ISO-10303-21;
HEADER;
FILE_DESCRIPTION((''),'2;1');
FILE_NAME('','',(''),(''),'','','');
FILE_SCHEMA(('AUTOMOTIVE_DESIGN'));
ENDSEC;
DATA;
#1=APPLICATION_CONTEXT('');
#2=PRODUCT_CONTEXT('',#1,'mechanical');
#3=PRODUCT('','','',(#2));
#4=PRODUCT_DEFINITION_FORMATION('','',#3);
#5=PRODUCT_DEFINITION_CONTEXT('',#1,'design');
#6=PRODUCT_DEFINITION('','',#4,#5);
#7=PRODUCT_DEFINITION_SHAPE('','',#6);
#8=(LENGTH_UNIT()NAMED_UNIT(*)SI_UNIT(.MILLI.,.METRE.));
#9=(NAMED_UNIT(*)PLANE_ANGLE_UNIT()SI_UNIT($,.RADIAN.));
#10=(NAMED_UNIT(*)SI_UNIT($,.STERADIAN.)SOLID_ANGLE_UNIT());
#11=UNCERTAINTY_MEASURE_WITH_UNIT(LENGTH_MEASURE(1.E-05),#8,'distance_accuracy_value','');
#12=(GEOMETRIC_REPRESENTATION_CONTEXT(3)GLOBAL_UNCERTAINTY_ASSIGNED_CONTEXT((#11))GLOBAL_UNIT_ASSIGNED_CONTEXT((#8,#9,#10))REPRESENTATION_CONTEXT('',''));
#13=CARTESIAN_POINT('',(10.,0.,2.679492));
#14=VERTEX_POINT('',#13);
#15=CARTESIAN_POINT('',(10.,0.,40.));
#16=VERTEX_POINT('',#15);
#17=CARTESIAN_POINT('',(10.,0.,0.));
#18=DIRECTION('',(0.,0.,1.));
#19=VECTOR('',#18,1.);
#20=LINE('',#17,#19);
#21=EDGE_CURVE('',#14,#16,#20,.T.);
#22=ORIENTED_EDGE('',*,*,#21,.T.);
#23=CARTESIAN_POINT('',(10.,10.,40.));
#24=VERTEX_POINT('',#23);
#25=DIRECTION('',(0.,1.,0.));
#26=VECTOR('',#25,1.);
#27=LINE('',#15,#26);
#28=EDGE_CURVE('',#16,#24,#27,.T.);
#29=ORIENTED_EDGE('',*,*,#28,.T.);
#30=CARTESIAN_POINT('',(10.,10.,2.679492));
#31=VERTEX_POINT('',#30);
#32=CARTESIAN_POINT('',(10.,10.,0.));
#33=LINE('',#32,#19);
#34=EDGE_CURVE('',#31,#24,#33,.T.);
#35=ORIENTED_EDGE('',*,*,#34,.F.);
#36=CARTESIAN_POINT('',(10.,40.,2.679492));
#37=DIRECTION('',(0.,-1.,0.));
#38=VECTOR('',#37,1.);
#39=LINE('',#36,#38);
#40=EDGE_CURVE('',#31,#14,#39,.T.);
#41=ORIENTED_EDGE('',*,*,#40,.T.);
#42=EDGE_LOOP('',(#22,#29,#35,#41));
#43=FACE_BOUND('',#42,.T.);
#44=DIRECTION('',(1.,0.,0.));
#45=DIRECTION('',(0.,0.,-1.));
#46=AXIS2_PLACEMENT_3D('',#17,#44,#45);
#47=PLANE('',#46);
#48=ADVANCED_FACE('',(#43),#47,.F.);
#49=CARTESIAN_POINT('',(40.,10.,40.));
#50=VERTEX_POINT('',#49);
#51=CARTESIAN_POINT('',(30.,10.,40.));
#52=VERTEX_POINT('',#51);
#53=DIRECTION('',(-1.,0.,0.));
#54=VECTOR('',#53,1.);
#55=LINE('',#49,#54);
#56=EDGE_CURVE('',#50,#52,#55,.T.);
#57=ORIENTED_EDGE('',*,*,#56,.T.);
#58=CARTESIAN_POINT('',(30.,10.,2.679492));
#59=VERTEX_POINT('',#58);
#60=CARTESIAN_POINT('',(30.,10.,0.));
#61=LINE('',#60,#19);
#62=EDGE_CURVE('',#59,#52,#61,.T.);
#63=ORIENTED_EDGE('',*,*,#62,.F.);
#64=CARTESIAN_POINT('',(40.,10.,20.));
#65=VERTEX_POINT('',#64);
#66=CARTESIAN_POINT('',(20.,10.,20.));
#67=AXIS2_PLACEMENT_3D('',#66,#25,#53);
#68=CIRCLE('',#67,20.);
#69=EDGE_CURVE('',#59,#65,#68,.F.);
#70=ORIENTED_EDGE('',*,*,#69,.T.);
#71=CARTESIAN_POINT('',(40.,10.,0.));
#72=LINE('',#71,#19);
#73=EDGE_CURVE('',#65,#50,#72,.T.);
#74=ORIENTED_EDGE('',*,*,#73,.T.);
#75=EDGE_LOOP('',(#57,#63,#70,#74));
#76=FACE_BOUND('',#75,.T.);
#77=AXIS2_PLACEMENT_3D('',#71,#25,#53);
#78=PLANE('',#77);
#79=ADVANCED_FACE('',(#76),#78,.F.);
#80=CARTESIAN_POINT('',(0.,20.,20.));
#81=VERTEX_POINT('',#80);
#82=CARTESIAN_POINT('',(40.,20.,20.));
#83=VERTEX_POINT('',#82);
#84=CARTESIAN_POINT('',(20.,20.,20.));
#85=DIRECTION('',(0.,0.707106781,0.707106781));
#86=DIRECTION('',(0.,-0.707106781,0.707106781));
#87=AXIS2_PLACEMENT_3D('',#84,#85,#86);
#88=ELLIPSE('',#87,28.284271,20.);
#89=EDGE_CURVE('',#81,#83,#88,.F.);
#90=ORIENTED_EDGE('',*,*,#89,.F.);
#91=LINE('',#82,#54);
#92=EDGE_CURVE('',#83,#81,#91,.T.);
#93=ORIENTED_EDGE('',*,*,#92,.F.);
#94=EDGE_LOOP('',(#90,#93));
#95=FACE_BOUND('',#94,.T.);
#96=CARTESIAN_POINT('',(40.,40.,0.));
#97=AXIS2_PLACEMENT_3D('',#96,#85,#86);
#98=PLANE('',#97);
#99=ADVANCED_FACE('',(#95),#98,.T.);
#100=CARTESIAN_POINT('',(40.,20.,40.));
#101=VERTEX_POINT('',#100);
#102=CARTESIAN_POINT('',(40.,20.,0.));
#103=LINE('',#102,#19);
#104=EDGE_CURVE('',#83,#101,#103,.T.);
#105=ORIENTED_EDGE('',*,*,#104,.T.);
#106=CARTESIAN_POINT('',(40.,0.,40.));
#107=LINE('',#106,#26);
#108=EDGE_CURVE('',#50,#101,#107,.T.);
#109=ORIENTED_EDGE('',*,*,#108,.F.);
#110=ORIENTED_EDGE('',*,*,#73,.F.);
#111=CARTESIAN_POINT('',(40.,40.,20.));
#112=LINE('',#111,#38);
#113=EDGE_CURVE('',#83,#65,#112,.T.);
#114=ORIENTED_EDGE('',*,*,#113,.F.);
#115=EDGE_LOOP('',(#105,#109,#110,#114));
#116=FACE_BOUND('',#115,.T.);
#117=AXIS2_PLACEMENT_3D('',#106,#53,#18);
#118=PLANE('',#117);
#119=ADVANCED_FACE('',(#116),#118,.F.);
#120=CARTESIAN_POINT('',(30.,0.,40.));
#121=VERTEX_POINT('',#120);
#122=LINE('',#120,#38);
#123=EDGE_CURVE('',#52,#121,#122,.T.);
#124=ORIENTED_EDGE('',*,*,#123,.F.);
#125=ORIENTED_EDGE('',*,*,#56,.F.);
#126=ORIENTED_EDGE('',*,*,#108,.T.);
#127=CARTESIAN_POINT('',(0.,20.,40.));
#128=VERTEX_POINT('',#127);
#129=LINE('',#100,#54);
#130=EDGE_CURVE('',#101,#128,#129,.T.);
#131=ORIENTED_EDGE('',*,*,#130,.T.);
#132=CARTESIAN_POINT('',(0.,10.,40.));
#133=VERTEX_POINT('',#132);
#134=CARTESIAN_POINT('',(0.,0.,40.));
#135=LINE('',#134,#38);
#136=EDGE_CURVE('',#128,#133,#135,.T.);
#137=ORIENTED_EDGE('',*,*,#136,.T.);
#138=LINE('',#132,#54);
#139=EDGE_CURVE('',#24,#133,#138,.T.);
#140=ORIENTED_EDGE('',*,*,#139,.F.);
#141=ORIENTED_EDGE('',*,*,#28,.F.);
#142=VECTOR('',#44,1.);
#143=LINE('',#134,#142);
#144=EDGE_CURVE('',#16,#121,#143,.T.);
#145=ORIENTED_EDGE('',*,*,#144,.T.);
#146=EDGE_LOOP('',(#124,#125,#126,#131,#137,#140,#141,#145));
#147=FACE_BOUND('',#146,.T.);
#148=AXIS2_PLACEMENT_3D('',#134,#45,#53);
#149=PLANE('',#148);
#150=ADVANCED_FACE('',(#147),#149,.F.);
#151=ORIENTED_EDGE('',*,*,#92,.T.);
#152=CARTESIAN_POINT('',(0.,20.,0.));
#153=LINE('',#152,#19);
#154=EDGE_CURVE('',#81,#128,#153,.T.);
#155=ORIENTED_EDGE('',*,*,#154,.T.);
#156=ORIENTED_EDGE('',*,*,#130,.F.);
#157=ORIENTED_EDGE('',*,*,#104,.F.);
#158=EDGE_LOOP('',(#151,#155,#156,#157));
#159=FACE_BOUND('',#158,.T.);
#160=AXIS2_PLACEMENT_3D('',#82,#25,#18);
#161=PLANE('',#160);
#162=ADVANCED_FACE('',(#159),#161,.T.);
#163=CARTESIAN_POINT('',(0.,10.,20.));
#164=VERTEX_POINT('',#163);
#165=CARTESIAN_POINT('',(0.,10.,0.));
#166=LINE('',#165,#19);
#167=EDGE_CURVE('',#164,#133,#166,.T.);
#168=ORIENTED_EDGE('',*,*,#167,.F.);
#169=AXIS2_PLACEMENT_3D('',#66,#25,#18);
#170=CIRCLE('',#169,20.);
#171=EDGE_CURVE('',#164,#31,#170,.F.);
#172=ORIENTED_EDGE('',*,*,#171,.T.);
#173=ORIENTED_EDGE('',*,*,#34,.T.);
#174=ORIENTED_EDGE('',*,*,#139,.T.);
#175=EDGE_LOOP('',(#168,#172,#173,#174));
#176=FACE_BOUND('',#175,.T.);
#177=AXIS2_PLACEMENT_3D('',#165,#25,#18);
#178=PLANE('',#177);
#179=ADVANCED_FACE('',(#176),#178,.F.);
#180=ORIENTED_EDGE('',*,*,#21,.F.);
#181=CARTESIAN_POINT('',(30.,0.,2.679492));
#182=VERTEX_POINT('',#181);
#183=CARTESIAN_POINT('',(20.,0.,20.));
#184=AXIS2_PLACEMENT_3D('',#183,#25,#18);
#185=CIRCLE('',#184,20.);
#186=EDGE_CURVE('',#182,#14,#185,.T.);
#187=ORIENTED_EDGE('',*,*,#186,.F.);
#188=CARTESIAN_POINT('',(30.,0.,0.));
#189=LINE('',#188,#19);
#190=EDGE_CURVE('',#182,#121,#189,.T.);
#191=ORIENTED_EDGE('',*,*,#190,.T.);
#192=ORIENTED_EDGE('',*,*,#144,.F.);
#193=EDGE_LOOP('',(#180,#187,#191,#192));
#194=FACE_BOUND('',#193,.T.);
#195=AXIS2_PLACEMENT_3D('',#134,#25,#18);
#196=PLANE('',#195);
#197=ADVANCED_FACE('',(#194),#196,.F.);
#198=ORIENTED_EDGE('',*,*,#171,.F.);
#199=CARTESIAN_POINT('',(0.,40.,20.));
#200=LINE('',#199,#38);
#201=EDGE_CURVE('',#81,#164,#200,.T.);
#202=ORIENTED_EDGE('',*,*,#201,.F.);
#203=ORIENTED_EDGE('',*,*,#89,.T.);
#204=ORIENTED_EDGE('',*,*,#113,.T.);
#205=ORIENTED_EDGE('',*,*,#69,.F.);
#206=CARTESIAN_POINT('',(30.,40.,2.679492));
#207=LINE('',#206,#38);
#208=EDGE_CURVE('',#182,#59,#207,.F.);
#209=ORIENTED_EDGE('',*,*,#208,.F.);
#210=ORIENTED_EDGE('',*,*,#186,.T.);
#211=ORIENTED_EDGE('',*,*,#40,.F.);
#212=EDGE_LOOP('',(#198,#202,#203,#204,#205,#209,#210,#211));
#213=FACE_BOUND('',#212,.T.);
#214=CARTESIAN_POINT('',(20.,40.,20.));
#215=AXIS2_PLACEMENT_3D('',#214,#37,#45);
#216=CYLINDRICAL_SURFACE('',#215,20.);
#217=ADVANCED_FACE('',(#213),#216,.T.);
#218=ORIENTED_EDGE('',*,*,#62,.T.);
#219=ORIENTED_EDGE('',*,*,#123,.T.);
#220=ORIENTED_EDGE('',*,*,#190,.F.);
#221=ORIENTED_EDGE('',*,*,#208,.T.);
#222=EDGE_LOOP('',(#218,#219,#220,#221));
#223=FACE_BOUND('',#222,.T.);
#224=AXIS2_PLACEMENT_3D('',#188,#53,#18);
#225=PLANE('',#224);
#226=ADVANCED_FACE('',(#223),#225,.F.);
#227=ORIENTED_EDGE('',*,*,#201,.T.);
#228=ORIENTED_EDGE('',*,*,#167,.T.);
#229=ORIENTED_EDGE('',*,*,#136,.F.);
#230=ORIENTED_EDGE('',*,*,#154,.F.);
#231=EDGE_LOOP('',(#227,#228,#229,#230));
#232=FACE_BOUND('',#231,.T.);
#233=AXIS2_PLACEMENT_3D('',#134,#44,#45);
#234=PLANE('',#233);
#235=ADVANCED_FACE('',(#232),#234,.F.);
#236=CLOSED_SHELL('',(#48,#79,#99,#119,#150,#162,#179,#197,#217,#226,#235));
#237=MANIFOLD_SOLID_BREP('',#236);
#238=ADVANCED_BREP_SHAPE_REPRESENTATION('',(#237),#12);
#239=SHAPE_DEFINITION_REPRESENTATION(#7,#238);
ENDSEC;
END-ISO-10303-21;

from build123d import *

# Parameters (mm, degrees)
SKETCH1_W           = 40
SKETCH1_H           = 40
BOSS_EXTRUDE1_DEPTH = 40
SKETCH2_W           = 10
SKETCH2_H           = 10
CUT_EXTRUDE1_DEPTH  = 40
CUT_EXTRUDE2_DEPTH  = 40
CUT_EXTRUDE3_DEPTH  = 40
CUT_EXTRUDE4_DEPTH  = 40


with BuildPart() as part:
    # Sketch1 → Boss-Extrude1 (new body)
    with BuildSketch(Plane.XY):
        with Locations((20, 20)):
            Rectangle(SKETCH1_W, SKETCH1_H)
    extrude(amount=BOSS_EXTRUDE1_DEPTH)

    # Sketch2 → Cut-Extrude1 (cut)
    with BuildSketch(Plane.XY.offset(40)):
        with Locations((5, 5)):
            Rectangle(SKETCH2_W, SKETCH2_H)
        with Locations((35, 5)):
            Rectangle(SKETCH2_W, SKETCH2_H)
    extrude(amount=-CUT_EXTRUDE1_DEPTH, mode=Mode.SUBTRACT)

    # Sketch3 → Cut-Extrude2 (cut)
    with BuildSketch(Plane.XY.offset(40)):
        with BuildLine():
            Line((0, 40), (0, 20))
            ThreePointArc((0, 20), (5.857864376, 34.142135624), (20, 40))
            Line((20, 40), (0, 40))
        make_face()
        with BuildLine():
            Line((40, 40), (20, 40))
            ThreePointArc((20, 40), (34.142135624, 34.142135624), (40, 20))
            Line((40, 20), (40, 40))
        make_face()
    extrude(amount=-CUT_EXTRUDE2_DEPTH, mode=Mode.SUBTRACT)

    # Sketch4 → Cut-Extrude3 (cut)
    with BuildSketch(Plane(origin=(0, 0, 0), x_dir=(1, 0, 0), z_dir=(0, 1, 0))):
        with BuildLine():
            Line((0, 0), (0, -20))
            ThreePointArc((0, -20), (5.857864376, -5.857864376), (20, 0))
            Line((20, 0), (0, 0))
        make_face()
        with BuildLine():
            Line((40, 0), (20, 0))
            ThreePointArc((20, 0), (34.142135624, -5.857864376), (40, -20))
            Line((40, -20), (40, 0))
        make_face()
    extrude(amount=CUT_EXTRUDE3_DEPTH, mode=Mode.SUBTRACT)

    # Sketch5 → Cut-Extrude4 (cut)
    with BuildSketch(Plane(origin=(0, 0, 0), x_dir=(0, 0, -1), z_dir=(1, 0, 0))):
        Polygon((0, 40), (-20, 20), (-40, 20), (-40, 40), align=None)
    extrude(amount=CUT_EXTRUDE4_DEPTH, mode=Mode.SUBTRACT)


solid = part.part
